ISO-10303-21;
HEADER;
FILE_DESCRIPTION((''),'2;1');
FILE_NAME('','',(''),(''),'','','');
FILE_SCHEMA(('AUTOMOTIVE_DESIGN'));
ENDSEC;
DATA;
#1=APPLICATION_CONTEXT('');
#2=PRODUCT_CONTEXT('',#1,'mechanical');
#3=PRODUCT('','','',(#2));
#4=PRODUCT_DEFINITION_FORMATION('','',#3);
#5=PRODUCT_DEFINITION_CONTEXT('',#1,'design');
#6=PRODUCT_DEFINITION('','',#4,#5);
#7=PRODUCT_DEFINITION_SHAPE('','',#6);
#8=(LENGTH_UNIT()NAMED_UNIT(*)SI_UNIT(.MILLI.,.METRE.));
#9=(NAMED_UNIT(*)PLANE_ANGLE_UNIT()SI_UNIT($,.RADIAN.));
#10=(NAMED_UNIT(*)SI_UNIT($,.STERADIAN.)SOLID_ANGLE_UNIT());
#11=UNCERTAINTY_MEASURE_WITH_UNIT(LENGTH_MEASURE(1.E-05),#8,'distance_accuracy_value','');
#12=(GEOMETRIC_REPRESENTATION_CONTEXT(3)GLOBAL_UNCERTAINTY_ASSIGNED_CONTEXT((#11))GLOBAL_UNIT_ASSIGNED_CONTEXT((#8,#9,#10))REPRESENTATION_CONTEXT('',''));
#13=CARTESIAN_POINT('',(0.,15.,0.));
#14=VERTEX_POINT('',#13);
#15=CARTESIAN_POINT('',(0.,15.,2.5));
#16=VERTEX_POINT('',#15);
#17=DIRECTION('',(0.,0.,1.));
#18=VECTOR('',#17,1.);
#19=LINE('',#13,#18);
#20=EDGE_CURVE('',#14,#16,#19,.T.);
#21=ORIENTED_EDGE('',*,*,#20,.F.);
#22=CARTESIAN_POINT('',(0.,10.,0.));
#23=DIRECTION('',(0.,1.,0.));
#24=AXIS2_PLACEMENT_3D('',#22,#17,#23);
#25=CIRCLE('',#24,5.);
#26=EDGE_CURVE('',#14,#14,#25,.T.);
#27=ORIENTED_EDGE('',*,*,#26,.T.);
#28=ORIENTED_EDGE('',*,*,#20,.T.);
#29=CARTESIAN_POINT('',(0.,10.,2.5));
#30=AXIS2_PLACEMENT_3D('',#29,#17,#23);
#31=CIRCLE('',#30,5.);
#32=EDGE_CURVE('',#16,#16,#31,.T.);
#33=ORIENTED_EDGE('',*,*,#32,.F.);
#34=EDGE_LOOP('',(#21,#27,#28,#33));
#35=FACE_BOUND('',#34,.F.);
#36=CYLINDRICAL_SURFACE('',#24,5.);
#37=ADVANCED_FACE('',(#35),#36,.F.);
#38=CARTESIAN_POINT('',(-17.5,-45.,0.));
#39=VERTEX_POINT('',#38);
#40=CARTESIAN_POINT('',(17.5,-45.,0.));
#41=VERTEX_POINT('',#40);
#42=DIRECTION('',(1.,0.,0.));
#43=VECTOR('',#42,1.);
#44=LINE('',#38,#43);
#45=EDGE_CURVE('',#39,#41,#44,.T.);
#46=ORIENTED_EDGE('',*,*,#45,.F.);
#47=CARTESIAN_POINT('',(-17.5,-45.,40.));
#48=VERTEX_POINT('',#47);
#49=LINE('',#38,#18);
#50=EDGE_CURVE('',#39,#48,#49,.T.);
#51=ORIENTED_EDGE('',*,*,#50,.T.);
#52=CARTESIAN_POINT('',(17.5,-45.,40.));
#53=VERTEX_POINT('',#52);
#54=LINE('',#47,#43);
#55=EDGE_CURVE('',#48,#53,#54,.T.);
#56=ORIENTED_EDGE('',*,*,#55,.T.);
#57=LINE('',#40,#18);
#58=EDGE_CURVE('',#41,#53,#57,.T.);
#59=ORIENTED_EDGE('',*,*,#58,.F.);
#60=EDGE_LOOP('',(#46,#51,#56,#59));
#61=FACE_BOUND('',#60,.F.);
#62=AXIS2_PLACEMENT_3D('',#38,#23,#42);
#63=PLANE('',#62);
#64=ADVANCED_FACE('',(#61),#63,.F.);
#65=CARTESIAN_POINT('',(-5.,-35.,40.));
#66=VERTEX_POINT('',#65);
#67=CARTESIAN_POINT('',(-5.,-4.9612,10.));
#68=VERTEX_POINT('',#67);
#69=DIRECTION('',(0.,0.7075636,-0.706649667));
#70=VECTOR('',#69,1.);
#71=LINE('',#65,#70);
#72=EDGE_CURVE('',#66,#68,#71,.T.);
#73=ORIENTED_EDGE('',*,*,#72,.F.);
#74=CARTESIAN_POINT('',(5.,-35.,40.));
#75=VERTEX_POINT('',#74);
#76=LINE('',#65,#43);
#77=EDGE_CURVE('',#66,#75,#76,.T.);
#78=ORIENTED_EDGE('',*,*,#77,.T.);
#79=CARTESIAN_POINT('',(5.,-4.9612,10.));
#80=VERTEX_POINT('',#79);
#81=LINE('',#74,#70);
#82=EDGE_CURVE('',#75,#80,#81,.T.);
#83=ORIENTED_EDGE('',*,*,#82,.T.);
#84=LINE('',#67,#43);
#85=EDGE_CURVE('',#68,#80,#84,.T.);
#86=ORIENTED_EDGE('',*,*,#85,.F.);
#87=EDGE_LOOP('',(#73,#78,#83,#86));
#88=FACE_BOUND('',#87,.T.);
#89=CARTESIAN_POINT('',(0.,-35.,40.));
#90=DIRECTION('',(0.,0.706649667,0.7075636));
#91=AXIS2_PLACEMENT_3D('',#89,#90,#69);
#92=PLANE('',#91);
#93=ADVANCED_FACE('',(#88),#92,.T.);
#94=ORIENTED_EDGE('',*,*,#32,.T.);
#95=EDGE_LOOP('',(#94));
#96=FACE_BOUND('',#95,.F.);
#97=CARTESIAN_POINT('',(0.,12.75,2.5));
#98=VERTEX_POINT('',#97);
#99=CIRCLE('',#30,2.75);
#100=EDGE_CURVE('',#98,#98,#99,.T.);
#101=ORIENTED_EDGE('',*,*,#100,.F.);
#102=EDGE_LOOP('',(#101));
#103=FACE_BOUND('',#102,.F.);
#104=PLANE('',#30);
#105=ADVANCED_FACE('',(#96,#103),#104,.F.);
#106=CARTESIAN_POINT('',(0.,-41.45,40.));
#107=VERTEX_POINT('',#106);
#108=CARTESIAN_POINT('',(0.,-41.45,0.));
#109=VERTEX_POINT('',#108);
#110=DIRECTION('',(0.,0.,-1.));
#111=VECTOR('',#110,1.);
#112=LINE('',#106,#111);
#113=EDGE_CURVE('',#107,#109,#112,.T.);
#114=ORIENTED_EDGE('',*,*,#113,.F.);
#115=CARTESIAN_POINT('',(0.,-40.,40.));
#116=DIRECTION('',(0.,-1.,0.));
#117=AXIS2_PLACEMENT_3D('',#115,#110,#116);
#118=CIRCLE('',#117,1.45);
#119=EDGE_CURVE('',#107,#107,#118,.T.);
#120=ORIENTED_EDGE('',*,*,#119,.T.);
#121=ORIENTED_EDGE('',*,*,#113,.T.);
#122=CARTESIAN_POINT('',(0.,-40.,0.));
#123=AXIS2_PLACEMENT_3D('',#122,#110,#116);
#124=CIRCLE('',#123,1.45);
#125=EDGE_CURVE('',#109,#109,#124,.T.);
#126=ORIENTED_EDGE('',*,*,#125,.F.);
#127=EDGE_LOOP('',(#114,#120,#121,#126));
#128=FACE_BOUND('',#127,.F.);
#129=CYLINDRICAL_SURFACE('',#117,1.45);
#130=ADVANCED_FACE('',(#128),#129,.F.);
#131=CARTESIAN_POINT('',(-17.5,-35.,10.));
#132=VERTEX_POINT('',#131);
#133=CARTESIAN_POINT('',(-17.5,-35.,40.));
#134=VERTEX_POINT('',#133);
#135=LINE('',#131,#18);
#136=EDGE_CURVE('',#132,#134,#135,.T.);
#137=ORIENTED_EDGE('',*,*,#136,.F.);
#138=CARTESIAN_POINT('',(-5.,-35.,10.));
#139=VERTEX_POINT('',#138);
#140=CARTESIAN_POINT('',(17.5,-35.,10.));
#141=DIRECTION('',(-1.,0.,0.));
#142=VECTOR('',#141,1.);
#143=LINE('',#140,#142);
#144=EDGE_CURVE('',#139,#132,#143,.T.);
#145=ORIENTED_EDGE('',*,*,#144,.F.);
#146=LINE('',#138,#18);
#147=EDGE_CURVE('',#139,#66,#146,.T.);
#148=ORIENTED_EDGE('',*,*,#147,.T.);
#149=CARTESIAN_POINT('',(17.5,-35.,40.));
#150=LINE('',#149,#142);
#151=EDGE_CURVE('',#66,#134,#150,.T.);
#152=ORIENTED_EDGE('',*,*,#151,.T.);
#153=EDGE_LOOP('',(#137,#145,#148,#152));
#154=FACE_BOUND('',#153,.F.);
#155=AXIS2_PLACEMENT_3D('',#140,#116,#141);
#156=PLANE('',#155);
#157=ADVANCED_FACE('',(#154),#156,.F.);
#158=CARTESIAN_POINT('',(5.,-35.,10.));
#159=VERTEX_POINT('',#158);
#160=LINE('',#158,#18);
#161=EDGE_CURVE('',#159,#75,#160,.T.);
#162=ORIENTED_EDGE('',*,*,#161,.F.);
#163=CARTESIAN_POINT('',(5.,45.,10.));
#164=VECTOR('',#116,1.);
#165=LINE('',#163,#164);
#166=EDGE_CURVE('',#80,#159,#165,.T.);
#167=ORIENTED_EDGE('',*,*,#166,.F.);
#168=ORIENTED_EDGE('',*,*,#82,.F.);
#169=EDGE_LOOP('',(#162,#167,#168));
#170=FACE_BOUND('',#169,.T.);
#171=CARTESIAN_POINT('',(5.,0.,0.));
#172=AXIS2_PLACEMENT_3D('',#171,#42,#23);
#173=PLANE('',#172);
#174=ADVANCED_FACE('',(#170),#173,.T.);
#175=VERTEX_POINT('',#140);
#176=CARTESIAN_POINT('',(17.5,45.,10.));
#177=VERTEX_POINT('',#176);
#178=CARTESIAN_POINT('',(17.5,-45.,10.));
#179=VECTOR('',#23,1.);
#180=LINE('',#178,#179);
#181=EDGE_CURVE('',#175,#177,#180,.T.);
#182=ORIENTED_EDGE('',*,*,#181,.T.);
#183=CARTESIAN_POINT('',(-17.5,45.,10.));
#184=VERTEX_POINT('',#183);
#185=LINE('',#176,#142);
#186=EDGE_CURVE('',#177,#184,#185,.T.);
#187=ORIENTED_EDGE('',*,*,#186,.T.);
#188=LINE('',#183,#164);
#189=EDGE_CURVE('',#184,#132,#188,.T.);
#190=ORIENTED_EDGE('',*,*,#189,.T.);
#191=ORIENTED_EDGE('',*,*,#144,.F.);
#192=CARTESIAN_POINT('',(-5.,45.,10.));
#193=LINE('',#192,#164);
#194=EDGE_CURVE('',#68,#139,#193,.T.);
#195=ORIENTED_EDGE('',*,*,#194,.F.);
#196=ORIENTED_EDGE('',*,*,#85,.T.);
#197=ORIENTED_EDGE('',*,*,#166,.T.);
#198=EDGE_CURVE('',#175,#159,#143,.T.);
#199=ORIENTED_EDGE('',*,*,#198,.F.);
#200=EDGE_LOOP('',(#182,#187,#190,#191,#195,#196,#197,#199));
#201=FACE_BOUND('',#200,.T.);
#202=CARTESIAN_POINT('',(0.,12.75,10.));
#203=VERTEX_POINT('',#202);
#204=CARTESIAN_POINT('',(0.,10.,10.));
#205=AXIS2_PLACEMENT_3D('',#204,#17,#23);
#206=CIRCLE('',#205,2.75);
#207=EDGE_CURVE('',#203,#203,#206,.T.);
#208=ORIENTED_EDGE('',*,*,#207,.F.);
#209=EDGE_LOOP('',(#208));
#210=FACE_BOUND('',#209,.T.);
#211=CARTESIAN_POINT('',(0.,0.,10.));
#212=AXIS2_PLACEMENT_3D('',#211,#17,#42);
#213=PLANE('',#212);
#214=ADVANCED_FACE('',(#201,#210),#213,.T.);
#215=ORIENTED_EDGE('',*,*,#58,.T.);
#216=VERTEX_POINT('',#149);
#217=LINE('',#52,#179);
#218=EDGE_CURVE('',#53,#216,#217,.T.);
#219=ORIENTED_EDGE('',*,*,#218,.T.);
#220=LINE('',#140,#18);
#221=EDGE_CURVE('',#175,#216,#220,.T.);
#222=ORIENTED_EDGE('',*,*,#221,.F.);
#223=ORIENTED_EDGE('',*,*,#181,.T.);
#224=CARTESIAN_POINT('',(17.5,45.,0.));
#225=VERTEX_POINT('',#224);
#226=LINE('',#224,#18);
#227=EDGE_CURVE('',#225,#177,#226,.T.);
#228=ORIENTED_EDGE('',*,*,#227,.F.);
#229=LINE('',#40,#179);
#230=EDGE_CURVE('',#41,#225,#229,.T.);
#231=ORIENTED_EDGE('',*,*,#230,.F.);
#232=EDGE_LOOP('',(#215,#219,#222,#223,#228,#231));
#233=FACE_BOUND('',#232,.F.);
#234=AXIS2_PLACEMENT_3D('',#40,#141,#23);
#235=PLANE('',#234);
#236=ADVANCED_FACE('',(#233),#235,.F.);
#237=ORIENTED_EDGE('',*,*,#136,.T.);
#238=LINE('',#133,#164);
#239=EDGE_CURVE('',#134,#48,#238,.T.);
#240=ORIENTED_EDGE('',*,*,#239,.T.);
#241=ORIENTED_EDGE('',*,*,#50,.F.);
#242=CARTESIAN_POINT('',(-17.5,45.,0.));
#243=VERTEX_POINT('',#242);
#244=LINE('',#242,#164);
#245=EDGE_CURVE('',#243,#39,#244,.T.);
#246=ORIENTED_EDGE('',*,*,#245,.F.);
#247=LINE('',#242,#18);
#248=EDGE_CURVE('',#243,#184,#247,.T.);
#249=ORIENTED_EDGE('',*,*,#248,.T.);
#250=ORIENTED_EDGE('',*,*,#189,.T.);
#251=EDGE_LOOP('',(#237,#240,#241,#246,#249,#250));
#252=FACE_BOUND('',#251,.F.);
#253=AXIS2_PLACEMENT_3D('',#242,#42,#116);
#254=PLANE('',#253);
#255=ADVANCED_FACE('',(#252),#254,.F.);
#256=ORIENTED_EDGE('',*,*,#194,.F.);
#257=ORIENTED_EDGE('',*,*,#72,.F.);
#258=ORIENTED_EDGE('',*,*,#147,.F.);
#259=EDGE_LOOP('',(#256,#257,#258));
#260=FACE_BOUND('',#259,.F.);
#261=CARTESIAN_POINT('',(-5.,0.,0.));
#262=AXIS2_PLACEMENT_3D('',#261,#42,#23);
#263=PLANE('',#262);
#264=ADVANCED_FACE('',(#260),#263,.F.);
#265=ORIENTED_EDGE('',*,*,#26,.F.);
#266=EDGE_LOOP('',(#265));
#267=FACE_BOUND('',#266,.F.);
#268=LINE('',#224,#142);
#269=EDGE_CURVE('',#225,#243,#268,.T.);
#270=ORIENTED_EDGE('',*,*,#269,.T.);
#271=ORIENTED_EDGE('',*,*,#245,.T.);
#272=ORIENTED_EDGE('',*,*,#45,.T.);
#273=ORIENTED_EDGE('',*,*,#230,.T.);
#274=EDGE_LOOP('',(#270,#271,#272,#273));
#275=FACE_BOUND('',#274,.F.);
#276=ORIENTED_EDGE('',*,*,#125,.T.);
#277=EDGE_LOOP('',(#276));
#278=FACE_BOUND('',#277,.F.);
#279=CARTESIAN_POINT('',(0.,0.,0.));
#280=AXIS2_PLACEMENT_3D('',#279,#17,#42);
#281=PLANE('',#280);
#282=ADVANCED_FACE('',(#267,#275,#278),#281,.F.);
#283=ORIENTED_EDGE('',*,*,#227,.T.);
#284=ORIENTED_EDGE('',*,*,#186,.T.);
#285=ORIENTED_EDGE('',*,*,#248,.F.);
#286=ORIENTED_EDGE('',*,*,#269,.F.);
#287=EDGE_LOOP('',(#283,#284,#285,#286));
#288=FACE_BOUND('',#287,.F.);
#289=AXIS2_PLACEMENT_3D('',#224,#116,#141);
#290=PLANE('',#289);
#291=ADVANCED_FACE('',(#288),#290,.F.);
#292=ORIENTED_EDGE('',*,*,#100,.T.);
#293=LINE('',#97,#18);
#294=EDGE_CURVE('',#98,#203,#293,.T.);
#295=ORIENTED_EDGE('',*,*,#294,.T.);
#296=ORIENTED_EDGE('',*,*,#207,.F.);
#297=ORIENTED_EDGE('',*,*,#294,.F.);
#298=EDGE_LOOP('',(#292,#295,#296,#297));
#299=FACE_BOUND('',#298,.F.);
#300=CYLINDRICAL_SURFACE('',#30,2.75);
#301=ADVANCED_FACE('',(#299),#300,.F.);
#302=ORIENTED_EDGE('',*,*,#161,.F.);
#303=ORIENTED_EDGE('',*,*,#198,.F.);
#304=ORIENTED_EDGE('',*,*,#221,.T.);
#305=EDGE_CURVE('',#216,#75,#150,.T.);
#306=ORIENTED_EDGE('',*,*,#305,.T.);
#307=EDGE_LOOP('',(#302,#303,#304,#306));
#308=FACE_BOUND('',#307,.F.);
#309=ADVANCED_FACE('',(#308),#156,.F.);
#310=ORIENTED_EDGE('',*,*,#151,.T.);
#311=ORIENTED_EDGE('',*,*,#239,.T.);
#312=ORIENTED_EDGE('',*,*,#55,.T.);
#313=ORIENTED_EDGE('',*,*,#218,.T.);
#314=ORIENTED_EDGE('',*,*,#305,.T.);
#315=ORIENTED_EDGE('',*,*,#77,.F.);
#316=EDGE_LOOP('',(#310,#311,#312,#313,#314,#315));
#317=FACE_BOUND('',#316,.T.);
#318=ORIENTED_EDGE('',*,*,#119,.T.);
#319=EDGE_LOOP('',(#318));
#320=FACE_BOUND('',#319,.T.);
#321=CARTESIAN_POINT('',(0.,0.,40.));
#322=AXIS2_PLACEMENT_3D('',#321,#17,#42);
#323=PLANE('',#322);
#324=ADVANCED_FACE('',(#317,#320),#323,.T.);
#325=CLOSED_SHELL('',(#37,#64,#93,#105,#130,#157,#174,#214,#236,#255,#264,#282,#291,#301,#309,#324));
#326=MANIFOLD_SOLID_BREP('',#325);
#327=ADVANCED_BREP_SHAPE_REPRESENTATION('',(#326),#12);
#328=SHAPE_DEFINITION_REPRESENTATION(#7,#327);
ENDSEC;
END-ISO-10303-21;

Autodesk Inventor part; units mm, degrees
ref_plane "YZ Plane" through (0, 0, 0) normal (1, 0, 0) x (0, 1, 0)
ref_plane "XZ Plane" through (0, 0, 0) normal (0, 1, 0) x (-1, 0, 0)
ref_plane "XY Plane" through (0, 0, 0) normal (0, 0, 1) x (1, 0, 0)
sketch "Skizze1" plane through (0, 0, 0) normal (0, 0, 1) x (1, 0, 0)
  line L0 (-17.5, -45) -> (17.5, -45)
  line L1 (17.5, -45) -> (17.5, 45)
  line L2 (17.5, 45) -> (-17.5, 45)
  line L3 (-17.5, 45) -> (-17.5, -45)
  line L4 (-17.5, -45) -> (17.5, 45) construction
  line L5 (17.5, -45) -> (-17.5, 45) construction
  point P0 (0, 0)
  dimension "d0" = 35
  dimension "d1" = 90
extrude "Extrusion1" add sketch "Skizze1" along normal blind 10
sketch "Skizze2" plane through (0, 0, 10) normal (0, 0, 1) x (1, 0, 0)
  line L0 (-17.5, -45) -> (17.5, -45) projected
  line L1 (17.5, -45) -> (17.5, 45) projected
  line L2 (-17.5, -45) -> (17.5, -45)
  line L3 (17.5, -45) -> (17.5, -35)
  line L4 (17.5, -35) -> (-17.5, -35)
  line L5 (-17.5, -35) -> (-17.5, -45)
  point P0 (0, 0)
  dimension "d4" = 10
extrude "Extrusion2" add sketch "Skizze2" along normal blind 30
sketch "Skizze3" plane through (0, 0, 0) normal (0, 0, -1) x (-1, 0, 0)
  line L0 (17.5, -45) -> (-17.5, -45) projected
  line L1 (-17.5, -45) -> (-17.5, -35) projected
  line L2 (-17.5, -35) -> (17.5, -35) projected
  line L3 (17.5, -35) -> (17.5, -45) projected
  line L4 (0, -63) -> (0, 63) projected
  line L5 (-17.5, -45) -> (-17.5, 45) projected
  line L6 (-17.5, -40) -> (17.5, -40)
  point P0 (0, 0)
  point P1 (0, 10)
  dimension "d7" = 50
hole "Bohrung1" at (0, 10, 0) direction (0, 0, 1) diameter 5.5 end through all counterbore diameter 10 counterbore depth 2.5
sketch "Skizze4" plane through (0, 0, 40) normal (0, 0, 1) x (1, 0, 0)
  line L0 (-17.5, -45) -> (17.5, -45) projected
  line L1 (17.5, -45) -> (17.5, -35) projected
  line L2 (17.5, -35) -> (-17.5, -35) projected
  line L3 (-17.5, -35) -> (-17.5, -45) projected
  line L4 (-17.5, -35) -> (17.5, -45) construction
  line L5 (-17.5, -35) -> (17.5, -35) construction
  line L6 (17.5, -35) -> (-17.5, -45) construction
  point P0 (0, 0)
  point P1 (0, -40)
hole "Bohrung2" at (0, -40, 40) direction (0, 0, -1) diameter 2.9 end through all
sketch "Skizze5" plane through (0, 0, 0) normal (1, 0, 0) x (0, 1, 0)
  line L0 (7.25, 10) -> (12.75, 10) projected
  line L1 (7.25, 2.5) -> (12.75, 2.5) projected
  line L2 (45, 10) -> (-35, 10) projected
  line L3 (-35, 10) -> (-35, 40) projected
  line L4 (-35, 40) -> (-4.9612, 10)
  line L5 (10.0388, 10) -> (10.0388, -4.326) construction
  line L6 (-35, 40) -> (-35, 10)
  line L7 (-4.9612, 10) -> (-35, 10)
  point P0 (0, 0)
  dimension "d22" = 15
extrude "Extrusion3" add sketch "Skizze5" along normal mid plane 10
properties part number "Verstrebung"
